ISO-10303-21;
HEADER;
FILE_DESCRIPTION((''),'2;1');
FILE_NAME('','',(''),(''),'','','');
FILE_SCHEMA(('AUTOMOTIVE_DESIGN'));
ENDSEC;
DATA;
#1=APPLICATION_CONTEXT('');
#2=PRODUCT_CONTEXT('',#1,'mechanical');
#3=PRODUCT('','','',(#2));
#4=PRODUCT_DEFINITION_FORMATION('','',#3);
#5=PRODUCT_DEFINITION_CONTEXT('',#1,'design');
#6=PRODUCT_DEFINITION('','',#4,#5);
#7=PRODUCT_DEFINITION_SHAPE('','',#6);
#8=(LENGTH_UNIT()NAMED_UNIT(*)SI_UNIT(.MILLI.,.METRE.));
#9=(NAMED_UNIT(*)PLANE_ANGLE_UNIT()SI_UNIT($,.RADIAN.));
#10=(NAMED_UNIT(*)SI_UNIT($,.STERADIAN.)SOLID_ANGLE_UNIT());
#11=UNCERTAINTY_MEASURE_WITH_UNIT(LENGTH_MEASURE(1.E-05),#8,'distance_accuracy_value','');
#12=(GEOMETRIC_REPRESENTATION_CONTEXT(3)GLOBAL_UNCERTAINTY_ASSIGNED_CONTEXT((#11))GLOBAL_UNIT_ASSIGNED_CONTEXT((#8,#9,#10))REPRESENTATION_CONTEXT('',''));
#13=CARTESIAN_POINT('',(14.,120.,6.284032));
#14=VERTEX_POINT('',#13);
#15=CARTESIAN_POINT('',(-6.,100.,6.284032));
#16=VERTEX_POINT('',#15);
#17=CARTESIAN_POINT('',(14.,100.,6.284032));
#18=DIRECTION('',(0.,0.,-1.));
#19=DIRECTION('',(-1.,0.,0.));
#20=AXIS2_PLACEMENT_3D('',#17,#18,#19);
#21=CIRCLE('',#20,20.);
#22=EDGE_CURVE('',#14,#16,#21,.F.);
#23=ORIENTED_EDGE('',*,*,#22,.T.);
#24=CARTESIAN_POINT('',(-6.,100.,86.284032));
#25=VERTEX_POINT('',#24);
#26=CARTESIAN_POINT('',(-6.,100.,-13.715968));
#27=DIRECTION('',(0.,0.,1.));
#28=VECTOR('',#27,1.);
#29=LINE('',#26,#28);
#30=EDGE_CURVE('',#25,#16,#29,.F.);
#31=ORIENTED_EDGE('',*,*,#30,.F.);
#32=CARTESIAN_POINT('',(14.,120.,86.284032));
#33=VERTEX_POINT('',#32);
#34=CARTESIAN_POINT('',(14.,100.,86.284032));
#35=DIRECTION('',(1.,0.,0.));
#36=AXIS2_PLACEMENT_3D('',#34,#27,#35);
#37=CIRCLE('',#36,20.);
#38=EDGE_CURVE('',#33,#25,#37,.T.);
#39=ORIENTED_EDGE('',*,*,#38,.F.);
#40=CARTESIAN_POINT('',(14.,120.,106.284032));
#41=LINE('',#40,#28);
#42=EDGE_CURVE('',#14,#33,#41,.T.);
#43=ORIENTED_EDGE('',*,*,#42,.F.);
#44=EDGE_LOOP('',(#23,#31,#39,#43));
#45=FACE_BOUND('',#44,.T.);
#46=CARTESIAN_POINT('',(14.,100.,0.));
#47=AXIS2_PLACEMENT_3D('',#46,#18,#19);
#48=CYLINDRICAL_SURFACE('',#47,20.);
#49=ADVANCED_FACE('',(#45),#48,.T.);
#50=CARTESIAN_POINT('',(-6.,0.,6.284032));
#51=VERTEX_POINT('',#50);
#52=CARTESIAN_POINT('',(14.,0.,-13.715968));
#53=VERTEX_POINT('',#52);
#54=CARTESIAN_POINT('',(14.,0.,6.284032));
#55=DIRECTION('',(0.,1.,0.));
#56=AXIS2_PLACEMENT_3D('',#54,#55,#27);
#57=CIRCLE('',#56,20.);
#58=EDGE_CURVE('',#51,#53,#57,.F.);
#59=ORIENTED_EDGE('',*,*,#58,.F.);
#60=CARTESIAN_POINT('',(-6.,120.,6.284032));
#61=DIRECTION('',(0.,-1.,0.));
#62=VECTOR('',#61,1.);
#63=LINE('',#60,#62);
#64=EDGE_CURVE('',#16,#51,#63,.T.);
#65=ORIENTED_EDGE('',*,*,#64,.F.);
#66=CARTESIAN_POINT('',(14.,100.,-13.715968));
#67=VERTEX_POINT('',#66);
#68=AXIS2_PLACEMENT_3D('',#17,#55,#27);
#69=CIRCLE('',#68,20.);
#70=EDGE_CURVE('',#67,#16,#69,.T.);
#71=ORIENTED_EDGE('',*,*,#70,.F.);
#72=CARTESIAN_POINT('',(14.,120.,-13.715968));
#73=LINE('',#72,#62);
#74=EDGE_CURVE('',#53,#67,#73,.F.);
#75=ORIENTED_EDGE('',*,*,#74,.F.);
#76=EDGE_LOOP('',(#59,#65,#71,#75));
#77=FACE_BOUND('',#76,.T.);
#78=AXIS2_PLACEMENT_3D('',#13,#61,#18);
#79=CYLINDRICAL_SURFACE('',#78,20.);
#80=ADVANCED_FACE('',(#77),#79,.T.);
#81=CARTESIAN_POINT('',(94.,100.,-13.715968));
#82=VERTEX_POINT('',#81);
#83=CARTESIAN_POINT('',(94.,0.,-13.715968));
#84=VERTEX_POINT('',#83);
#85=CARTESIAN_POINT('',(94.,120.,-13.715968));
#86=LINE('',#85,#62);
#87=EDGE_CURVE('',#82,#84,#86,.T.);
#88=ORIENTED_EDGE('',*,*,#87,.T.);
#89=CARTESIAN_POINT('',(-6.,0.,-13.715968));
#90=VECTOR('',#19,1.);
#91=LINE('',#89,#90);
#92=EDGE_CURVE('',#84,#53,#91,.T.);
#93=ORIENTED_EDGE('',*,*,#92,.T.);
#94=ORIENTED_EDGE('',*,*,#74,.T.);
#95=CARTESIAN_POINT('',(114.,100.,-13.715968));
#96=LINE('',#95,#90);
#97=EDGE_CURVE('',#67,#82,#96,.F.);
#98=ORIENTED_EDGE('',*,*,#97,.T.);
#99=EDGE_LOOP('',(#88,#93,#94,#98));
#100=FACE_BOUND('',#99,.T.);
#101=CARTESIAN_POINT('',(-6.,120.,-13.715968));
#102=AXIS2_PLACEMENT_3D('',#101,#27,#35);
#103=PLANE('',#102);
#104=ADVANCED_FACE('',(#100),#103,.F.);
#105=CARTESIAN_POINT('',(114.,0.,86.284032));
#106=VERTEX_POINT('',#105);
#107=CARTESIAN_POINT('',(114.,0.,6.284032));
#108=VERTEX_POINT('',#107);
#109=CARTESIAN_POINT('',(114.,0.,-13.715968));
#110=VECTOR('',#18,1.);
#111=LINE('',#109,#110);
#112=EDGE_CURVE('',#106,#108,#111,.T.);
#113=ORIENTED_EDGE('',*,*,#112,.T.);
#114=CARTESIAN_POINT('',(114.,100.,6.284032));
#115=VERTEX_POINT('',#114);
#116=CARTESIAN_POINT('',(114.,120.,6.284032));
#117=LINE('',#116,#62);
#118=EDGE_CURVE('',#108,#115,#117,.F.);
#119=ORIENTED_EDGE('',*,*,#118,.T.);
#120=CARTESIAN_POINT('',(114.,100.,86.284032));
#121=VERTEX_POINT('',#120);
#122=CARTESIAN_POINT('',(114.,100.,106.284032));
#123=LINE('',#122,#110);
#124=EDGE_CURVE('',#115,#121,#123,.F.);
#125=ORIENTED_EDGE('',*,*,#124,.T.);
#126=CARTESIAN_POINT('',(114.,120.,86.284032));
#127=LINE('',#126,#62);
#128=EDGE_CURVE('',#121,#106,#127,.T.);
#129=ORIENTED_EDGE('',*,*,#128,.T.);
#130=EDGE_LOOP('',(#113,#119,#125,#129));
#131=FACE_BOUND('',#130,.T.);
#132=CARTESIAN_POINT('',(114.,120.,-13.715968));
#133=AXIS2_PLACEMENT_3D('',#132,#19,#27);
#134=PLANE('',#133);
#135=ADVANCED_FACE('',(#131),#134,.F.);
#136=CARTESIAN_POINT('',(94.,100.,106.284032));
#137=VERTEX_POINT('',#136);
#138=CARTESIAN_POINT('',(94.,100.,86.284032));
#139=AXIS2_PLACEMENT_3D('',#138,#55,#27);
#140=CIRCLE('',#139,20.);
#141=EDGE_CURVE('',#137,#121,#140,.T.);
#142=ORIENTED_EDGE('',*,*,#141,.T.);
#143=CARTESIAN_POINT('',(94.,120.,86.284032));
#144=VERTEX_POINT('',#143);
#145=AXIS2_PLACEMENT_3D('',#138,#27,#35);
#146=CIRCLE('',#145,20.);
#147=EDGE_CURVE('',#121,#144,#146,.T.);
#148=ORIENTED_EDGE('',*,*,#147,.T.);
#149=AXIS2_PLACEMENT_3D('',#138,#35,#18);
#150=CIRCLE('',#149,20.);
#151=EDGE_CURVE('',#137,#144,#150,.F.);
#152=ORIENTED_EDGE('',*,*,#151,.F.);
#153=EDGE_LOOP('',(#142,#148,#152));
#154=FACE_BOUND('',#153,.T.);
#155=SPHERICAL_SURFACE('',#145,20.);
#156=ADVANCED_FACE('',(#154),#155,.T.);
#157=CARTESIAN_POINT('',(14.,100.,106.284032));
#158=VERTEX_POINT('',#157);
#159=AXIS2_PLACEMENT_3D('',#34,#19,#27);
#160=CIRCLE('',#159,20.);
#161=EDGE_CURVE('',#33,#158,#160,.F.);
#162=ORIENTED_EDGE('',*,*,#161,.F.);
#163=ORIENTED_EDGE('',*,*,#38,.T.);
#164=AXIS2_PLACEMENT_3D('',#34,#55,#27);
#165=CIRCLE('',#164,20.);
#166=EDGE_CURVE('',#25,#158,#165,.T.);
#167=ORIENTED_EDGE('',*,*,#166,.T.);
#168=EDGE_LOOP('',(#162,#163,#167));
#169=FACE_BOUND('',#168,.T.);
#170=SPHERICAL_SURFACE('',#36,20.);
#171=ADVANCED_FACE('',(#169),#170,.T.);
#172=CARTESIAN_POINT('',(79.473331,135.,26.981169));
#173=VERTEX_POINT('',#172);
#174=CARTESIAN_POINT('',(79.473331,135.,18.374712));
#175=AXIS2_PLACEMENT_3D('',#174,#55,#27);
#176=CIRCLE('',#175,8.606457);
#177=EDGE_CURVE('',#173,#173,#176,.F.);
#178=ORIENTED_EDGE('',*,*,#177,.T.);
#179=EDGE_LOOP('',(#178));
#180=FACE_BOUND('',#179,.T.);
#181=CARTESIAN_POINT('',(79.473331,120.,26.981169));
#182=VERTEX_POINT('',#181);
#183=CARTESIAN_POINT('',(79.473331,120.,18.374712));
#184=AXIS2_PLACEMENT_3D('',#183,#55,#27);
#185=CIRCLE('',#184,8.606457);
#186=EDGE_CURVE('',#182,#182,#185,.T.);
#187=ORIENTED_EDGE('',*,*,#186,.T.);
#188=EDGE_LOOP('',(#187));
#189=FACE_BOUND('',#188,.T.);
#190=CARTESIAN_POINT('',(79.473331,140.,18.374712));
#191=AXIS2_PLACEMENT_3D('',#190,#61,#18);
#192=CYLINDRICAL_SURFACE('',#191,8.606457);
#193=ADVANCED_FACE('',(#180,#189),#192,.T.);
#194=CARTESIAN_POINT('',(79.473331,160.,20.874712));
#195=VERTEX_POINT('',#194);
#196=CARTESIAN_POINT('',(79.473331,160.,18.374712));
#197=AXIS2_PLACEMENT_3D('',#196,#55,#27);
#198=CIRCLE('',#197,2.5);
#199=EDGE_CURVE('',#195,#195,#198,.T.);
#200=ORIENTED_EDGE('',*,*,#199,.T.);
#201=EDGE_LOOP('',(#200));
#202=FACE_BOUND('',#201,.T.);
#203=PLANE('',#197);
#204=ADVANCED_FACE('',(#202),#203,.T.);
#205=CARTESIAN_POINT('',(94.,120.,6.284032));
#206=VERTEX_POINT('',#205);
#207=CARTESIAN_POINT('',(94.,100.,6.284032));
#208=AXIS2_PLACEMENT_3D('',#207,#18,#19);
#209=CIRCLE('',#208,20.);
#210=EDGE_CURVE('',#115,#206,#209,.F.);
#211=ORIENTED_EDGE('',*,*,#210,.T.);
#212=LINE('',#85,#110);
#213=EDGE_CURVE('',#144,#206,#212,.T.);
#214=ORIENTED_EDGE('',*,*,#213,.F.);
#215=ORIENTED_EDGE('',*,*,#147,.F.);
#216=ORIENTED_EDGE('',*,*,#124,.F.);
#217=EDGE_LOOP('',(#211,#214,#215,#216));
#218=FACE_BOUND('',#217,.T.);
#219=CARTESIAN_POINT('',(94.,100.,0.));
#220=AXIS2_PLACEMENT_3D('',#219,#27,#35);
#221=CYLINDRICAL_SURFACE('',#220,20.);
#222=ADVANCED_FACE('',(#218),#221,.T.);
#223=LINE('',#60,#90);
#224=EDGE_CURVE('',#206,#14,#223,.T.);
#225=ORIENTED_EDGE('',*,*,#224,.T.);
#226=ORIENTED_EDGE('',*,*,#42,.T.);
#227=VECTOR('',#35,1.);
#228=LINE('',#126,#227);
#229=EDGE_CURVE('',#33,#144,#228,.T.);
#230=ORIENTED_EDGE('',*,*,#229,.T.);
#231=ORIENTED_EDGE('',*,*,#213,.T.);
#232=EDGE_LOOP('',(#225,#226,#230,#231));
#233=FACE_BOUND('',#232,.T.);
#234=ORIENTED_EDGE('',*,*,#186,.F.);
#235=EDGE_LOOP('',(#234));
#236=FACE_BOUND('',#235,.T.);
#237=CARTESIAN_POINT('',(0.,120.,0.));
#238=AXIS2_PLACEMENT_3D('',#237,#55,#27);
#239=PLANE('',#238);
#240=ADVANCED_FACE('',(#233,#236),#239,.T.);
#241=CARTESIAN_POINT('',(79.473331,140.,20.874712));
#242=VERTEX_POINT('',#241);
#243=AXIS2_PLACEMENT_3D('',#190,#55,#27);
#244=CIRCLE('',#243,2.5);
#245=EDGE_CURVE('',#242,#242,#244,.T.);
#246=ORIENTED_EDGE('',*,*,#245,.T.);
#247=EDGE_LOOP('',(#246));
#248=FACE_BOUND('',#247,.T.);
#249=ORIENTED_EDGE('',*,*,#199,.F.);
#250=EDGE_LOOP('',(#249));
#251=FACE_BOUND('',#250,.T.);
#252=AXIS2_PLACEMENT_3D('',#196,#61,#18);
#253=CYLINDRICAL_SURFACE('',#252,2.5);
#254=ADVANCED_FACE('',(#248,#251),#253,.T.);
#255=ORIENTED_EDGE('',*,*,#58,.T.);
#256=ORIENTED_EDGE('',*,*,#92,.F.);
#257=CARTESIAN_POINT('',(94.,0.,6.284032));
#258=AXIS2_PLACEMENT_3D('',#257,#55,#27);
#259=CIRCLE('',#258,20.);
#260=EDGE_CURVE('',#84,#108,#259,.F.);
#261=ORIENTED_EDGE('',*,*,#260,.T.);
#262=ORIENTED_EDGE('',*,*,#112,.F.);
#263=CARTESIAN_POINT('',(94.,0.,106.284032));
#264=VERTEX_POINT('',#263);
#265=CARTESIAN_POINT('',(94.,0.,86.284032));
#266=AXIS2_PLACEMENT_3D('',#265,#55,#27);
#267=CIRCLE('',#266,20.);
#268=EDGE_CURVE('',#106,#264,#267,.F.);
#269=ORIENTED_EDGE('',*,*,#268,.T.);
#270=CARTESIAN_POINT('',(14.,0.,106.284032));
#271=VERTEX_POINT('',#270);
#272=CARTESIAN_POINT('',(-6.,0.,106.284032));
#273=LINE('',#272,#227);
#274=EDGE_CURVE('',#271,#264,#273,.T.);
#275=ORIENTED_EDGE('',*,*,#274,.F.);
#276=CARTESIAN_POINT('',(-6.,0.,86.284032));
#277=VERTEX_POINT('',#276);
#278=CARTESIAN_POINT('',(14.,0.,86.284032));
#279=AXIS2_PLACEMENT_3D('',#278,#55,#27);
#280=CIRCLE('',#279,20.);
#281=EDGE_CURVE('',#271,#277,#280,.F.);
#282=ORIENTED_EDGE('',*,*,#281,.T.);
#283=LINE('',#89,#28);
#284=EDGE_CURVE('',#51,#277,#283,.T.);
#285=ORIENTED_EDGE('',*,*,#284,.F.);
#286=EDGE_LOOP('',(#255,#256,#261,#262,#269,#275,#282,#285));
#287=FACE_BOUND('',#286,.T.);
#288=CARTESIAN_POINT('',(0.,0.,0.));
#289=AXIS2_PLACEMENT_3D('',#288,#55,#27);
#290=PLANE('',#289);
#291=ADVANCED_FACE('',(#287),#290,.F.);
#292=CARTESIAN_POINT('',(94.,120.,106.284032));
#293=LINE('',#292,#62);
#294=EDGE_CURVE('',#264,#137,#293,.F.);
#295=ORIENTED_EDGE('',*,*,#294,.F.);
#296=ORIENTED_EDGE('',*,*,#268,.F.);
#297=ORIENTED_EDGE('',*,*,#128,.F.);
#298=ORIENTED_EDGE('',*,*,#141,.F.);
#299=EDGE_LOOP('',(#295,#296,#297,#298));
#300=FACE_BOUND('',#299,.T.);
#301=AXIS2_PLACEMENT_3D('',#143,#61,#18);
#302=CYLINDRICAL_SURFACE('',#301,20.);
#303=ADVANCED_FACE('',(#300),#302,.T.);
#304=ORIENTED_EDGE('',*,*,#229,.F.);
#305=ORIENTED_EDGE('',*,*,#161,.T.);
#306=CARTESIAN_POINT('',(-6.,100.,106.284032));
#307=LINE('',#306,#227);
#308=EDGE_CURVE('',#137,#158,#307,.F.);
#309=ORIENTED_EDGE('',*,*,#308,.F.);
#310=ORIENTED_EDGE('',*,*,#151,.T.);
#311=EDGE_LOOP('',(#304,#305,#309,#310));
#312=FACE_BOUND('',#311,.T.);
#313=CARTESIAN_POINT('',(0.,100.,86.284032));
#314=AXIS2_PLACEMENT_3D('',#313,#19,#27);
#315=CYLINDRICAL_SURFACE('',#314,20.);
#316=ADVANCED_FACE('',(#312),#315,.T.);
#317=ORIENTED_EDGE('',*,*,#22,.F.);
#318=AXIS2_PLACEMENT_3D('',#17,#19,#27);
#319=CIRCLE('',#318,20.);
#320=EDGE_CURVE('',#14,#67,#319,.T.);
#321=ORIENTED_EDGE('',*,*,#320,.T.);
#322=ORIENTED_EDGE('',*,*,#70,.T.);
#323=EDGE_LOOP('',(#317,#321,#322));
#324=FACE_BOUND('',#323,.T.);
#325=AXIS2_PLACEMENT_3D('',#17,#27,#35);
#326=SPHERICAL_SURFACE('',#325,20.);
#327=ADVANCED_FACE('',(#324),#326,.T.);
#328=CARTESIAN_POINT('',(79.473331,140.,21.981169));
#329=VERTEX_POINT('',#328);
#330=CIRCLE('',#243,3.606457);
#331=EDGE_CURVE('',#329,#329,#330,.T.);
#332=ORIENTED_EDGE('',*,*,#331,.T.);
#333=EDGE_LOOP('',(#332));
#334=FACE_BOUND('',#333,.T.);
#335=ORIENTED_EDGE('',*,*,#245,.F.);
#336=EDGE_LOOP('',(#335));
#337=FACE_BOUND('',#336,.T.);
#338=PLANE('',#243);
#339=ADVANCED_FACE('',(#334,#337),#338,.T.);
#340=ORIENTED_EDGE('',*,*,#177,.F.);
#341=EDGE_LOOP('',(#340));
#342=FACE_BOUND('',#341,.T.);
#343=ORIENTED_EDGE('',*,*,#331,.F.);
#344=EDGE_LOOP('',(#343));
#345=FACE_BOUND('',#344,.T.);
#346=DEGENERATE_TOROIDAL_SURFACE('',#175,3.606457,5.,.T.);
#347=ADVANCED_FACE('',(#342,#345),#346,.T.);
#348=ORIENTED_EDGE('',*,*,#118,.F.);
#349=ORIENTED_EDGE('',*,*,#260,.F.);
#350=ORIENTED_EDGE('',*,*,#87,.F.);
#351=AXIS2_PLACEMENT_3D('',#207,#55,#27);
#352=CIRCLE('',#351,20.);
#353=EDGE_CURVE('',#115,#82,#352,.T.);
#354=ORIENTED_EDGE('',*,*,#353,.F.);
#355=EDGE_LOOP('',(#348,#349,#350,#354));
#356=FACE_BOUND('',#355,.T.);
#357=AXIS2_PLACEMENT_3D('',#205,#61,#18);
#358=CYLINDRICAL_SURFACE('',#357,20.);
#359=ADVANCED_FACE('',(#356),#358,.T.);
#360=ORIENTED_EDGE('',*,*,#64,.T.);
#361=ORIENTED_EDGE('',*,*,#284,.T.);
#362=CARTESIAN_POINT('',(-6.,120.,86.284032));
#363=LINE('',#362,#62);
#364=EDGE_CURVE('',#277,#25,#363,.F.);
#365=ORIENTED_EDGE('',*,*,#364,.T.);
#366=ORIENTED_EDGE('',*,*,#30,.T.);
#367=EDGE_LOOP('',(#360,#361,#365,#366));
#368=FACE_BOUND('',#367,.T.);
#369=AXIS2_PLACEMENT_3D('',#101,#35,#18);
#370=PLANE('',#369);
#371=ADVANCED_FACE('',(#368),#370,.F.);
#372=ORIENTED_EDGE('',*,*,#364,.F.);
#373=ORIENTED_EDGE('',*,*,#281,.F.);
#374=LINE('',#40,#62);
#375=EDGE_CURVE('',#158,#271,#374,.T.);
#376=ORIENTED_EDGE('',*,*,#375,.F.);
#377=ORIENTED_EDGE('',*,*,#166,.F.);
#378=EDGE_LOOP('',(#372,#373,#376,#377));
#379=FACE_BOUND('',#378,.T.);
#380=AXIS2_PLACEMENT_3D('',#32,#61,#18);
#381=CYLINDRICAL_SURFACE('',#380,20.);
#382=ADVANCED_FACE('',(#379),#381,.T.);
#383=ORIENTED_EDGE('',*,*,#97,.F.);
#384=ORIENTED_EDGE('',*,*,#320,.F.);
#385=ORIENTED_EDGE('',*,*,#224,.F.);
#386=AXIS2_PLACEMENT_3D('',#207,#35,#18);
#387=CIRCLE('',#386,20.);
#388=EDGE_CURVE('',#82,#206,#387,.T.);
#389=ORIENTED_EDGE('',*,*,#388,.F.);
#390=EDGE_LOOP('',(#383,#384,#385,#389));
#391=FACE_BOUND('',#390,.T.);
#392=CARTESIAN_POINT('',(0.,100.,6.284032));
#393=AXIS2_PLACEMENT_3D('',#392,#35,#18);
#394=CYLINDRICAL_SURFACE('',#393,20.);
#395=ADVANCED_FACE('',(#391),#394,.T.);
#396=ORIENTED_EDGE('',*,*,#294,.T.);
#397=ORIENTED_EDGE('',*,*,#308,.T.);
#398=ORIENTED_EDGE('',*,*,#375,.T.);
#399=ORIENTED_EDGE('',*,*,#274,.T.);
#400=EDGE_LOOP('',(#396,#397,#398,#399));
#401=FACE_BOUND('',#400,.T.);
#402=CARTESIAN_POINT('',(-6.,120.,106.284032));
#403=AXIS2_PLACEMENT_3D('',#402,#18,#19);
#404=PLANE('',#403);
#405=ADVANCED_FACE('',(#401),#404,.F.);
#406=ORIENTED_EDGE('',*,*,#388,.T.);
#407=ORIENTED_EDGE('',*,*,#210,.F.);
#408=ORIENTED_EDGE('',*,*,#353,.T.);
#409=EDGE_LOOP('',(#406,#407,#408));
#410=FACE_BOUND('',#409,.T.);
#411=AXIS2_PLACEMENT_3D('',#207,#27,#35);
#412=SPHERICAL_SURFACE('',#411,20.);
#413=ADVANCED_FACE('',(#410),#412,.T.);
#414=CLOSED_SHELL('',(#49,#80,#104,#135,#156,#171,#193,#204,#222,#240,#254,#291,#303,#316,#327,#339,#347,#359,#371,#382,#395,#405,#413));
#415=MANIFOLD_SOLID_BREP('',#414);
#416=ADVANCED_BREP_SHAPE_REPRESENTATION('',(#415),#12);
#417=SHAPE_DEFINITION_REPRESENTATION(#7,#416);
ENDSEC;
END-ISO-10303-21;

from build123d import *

# Parameters (mm, degrees)
SKETCH1_W           = 120
SKETCH1_H           = 120
BOSS_EXTRUDE1_DEPTH = 120
FILLET1_R           = 20
SKETCH4_R           = 8.6064573
BOSS_EXTRUDE4_DEPTH = 20
SKETCH5_R           = 2.5
BOSS_EXTRUDE5_DEPTH = 20
FILLET2_R           = 5


with BuildPart() as part:
    # Sketch1 → Boss-Extrude1 (new body)
    with BuildSketch(Plane(origin=(0, 0, 0), x_dir=(1, 0, 0), z_dir=(0, 1, 0))):
        with Locations((54, -46.284032095)):
            Rectangle(SKETCH1_W, SKETCH1_H)
    extrude(amount=BOSS_EXTRUDE1_DEPTH)

    # Fillet1
    fillet1_edges = [part.edges().sort_by_distance(p)[0] for p in [
        (-6, 120, 46.284032095),
        (54, 120, 106.284032095),
        (114, 120, 46.284032095),
        (54, 120, -13.715967905),
        (114, 60, 106.284032095),
        (-6, 60, 106.284032095),
        (-6, 60, -13.715967905),
        (114, 60, -13.715967905),
    ]]
    fillet(fillet1_edges, radius=FILLET1_R)

    # Sketch4 → Boss-Extrude4 (add)
    with BuildSketch(Plane(origin=(0, 120, 0), x_dir=(1, 0, 0), z_dir=(0, 1, 0))):
        with Locations((79.473330559, -18.374712085)):
            Circle(SKETCH4_R)
    extrude(amount=BOSS_EXTRUDE4_DEPTH)

    # Sketch5 → Boss-Extrude5 (add)
    with BuildSketch(Plane(origin=(0, 140, 0), x_dir=(1, 0, 0), z_dir=(0, 1, 0))):
        with Locations((79.473330559, -18.374712085)):
            Circle(SKETCH5_R)
    extrude(amount=BOSS_EXTRUDE5_DEPTH)

    # Fillet2
    fillet2_edges = [part.edges().sort_by_distance(p)[0] for p in [
        (70.866873258, 140, 18.374712085),
    ]]
    fillet(fillet2_edges, radius=FILLET2_R)


solid = part.part
